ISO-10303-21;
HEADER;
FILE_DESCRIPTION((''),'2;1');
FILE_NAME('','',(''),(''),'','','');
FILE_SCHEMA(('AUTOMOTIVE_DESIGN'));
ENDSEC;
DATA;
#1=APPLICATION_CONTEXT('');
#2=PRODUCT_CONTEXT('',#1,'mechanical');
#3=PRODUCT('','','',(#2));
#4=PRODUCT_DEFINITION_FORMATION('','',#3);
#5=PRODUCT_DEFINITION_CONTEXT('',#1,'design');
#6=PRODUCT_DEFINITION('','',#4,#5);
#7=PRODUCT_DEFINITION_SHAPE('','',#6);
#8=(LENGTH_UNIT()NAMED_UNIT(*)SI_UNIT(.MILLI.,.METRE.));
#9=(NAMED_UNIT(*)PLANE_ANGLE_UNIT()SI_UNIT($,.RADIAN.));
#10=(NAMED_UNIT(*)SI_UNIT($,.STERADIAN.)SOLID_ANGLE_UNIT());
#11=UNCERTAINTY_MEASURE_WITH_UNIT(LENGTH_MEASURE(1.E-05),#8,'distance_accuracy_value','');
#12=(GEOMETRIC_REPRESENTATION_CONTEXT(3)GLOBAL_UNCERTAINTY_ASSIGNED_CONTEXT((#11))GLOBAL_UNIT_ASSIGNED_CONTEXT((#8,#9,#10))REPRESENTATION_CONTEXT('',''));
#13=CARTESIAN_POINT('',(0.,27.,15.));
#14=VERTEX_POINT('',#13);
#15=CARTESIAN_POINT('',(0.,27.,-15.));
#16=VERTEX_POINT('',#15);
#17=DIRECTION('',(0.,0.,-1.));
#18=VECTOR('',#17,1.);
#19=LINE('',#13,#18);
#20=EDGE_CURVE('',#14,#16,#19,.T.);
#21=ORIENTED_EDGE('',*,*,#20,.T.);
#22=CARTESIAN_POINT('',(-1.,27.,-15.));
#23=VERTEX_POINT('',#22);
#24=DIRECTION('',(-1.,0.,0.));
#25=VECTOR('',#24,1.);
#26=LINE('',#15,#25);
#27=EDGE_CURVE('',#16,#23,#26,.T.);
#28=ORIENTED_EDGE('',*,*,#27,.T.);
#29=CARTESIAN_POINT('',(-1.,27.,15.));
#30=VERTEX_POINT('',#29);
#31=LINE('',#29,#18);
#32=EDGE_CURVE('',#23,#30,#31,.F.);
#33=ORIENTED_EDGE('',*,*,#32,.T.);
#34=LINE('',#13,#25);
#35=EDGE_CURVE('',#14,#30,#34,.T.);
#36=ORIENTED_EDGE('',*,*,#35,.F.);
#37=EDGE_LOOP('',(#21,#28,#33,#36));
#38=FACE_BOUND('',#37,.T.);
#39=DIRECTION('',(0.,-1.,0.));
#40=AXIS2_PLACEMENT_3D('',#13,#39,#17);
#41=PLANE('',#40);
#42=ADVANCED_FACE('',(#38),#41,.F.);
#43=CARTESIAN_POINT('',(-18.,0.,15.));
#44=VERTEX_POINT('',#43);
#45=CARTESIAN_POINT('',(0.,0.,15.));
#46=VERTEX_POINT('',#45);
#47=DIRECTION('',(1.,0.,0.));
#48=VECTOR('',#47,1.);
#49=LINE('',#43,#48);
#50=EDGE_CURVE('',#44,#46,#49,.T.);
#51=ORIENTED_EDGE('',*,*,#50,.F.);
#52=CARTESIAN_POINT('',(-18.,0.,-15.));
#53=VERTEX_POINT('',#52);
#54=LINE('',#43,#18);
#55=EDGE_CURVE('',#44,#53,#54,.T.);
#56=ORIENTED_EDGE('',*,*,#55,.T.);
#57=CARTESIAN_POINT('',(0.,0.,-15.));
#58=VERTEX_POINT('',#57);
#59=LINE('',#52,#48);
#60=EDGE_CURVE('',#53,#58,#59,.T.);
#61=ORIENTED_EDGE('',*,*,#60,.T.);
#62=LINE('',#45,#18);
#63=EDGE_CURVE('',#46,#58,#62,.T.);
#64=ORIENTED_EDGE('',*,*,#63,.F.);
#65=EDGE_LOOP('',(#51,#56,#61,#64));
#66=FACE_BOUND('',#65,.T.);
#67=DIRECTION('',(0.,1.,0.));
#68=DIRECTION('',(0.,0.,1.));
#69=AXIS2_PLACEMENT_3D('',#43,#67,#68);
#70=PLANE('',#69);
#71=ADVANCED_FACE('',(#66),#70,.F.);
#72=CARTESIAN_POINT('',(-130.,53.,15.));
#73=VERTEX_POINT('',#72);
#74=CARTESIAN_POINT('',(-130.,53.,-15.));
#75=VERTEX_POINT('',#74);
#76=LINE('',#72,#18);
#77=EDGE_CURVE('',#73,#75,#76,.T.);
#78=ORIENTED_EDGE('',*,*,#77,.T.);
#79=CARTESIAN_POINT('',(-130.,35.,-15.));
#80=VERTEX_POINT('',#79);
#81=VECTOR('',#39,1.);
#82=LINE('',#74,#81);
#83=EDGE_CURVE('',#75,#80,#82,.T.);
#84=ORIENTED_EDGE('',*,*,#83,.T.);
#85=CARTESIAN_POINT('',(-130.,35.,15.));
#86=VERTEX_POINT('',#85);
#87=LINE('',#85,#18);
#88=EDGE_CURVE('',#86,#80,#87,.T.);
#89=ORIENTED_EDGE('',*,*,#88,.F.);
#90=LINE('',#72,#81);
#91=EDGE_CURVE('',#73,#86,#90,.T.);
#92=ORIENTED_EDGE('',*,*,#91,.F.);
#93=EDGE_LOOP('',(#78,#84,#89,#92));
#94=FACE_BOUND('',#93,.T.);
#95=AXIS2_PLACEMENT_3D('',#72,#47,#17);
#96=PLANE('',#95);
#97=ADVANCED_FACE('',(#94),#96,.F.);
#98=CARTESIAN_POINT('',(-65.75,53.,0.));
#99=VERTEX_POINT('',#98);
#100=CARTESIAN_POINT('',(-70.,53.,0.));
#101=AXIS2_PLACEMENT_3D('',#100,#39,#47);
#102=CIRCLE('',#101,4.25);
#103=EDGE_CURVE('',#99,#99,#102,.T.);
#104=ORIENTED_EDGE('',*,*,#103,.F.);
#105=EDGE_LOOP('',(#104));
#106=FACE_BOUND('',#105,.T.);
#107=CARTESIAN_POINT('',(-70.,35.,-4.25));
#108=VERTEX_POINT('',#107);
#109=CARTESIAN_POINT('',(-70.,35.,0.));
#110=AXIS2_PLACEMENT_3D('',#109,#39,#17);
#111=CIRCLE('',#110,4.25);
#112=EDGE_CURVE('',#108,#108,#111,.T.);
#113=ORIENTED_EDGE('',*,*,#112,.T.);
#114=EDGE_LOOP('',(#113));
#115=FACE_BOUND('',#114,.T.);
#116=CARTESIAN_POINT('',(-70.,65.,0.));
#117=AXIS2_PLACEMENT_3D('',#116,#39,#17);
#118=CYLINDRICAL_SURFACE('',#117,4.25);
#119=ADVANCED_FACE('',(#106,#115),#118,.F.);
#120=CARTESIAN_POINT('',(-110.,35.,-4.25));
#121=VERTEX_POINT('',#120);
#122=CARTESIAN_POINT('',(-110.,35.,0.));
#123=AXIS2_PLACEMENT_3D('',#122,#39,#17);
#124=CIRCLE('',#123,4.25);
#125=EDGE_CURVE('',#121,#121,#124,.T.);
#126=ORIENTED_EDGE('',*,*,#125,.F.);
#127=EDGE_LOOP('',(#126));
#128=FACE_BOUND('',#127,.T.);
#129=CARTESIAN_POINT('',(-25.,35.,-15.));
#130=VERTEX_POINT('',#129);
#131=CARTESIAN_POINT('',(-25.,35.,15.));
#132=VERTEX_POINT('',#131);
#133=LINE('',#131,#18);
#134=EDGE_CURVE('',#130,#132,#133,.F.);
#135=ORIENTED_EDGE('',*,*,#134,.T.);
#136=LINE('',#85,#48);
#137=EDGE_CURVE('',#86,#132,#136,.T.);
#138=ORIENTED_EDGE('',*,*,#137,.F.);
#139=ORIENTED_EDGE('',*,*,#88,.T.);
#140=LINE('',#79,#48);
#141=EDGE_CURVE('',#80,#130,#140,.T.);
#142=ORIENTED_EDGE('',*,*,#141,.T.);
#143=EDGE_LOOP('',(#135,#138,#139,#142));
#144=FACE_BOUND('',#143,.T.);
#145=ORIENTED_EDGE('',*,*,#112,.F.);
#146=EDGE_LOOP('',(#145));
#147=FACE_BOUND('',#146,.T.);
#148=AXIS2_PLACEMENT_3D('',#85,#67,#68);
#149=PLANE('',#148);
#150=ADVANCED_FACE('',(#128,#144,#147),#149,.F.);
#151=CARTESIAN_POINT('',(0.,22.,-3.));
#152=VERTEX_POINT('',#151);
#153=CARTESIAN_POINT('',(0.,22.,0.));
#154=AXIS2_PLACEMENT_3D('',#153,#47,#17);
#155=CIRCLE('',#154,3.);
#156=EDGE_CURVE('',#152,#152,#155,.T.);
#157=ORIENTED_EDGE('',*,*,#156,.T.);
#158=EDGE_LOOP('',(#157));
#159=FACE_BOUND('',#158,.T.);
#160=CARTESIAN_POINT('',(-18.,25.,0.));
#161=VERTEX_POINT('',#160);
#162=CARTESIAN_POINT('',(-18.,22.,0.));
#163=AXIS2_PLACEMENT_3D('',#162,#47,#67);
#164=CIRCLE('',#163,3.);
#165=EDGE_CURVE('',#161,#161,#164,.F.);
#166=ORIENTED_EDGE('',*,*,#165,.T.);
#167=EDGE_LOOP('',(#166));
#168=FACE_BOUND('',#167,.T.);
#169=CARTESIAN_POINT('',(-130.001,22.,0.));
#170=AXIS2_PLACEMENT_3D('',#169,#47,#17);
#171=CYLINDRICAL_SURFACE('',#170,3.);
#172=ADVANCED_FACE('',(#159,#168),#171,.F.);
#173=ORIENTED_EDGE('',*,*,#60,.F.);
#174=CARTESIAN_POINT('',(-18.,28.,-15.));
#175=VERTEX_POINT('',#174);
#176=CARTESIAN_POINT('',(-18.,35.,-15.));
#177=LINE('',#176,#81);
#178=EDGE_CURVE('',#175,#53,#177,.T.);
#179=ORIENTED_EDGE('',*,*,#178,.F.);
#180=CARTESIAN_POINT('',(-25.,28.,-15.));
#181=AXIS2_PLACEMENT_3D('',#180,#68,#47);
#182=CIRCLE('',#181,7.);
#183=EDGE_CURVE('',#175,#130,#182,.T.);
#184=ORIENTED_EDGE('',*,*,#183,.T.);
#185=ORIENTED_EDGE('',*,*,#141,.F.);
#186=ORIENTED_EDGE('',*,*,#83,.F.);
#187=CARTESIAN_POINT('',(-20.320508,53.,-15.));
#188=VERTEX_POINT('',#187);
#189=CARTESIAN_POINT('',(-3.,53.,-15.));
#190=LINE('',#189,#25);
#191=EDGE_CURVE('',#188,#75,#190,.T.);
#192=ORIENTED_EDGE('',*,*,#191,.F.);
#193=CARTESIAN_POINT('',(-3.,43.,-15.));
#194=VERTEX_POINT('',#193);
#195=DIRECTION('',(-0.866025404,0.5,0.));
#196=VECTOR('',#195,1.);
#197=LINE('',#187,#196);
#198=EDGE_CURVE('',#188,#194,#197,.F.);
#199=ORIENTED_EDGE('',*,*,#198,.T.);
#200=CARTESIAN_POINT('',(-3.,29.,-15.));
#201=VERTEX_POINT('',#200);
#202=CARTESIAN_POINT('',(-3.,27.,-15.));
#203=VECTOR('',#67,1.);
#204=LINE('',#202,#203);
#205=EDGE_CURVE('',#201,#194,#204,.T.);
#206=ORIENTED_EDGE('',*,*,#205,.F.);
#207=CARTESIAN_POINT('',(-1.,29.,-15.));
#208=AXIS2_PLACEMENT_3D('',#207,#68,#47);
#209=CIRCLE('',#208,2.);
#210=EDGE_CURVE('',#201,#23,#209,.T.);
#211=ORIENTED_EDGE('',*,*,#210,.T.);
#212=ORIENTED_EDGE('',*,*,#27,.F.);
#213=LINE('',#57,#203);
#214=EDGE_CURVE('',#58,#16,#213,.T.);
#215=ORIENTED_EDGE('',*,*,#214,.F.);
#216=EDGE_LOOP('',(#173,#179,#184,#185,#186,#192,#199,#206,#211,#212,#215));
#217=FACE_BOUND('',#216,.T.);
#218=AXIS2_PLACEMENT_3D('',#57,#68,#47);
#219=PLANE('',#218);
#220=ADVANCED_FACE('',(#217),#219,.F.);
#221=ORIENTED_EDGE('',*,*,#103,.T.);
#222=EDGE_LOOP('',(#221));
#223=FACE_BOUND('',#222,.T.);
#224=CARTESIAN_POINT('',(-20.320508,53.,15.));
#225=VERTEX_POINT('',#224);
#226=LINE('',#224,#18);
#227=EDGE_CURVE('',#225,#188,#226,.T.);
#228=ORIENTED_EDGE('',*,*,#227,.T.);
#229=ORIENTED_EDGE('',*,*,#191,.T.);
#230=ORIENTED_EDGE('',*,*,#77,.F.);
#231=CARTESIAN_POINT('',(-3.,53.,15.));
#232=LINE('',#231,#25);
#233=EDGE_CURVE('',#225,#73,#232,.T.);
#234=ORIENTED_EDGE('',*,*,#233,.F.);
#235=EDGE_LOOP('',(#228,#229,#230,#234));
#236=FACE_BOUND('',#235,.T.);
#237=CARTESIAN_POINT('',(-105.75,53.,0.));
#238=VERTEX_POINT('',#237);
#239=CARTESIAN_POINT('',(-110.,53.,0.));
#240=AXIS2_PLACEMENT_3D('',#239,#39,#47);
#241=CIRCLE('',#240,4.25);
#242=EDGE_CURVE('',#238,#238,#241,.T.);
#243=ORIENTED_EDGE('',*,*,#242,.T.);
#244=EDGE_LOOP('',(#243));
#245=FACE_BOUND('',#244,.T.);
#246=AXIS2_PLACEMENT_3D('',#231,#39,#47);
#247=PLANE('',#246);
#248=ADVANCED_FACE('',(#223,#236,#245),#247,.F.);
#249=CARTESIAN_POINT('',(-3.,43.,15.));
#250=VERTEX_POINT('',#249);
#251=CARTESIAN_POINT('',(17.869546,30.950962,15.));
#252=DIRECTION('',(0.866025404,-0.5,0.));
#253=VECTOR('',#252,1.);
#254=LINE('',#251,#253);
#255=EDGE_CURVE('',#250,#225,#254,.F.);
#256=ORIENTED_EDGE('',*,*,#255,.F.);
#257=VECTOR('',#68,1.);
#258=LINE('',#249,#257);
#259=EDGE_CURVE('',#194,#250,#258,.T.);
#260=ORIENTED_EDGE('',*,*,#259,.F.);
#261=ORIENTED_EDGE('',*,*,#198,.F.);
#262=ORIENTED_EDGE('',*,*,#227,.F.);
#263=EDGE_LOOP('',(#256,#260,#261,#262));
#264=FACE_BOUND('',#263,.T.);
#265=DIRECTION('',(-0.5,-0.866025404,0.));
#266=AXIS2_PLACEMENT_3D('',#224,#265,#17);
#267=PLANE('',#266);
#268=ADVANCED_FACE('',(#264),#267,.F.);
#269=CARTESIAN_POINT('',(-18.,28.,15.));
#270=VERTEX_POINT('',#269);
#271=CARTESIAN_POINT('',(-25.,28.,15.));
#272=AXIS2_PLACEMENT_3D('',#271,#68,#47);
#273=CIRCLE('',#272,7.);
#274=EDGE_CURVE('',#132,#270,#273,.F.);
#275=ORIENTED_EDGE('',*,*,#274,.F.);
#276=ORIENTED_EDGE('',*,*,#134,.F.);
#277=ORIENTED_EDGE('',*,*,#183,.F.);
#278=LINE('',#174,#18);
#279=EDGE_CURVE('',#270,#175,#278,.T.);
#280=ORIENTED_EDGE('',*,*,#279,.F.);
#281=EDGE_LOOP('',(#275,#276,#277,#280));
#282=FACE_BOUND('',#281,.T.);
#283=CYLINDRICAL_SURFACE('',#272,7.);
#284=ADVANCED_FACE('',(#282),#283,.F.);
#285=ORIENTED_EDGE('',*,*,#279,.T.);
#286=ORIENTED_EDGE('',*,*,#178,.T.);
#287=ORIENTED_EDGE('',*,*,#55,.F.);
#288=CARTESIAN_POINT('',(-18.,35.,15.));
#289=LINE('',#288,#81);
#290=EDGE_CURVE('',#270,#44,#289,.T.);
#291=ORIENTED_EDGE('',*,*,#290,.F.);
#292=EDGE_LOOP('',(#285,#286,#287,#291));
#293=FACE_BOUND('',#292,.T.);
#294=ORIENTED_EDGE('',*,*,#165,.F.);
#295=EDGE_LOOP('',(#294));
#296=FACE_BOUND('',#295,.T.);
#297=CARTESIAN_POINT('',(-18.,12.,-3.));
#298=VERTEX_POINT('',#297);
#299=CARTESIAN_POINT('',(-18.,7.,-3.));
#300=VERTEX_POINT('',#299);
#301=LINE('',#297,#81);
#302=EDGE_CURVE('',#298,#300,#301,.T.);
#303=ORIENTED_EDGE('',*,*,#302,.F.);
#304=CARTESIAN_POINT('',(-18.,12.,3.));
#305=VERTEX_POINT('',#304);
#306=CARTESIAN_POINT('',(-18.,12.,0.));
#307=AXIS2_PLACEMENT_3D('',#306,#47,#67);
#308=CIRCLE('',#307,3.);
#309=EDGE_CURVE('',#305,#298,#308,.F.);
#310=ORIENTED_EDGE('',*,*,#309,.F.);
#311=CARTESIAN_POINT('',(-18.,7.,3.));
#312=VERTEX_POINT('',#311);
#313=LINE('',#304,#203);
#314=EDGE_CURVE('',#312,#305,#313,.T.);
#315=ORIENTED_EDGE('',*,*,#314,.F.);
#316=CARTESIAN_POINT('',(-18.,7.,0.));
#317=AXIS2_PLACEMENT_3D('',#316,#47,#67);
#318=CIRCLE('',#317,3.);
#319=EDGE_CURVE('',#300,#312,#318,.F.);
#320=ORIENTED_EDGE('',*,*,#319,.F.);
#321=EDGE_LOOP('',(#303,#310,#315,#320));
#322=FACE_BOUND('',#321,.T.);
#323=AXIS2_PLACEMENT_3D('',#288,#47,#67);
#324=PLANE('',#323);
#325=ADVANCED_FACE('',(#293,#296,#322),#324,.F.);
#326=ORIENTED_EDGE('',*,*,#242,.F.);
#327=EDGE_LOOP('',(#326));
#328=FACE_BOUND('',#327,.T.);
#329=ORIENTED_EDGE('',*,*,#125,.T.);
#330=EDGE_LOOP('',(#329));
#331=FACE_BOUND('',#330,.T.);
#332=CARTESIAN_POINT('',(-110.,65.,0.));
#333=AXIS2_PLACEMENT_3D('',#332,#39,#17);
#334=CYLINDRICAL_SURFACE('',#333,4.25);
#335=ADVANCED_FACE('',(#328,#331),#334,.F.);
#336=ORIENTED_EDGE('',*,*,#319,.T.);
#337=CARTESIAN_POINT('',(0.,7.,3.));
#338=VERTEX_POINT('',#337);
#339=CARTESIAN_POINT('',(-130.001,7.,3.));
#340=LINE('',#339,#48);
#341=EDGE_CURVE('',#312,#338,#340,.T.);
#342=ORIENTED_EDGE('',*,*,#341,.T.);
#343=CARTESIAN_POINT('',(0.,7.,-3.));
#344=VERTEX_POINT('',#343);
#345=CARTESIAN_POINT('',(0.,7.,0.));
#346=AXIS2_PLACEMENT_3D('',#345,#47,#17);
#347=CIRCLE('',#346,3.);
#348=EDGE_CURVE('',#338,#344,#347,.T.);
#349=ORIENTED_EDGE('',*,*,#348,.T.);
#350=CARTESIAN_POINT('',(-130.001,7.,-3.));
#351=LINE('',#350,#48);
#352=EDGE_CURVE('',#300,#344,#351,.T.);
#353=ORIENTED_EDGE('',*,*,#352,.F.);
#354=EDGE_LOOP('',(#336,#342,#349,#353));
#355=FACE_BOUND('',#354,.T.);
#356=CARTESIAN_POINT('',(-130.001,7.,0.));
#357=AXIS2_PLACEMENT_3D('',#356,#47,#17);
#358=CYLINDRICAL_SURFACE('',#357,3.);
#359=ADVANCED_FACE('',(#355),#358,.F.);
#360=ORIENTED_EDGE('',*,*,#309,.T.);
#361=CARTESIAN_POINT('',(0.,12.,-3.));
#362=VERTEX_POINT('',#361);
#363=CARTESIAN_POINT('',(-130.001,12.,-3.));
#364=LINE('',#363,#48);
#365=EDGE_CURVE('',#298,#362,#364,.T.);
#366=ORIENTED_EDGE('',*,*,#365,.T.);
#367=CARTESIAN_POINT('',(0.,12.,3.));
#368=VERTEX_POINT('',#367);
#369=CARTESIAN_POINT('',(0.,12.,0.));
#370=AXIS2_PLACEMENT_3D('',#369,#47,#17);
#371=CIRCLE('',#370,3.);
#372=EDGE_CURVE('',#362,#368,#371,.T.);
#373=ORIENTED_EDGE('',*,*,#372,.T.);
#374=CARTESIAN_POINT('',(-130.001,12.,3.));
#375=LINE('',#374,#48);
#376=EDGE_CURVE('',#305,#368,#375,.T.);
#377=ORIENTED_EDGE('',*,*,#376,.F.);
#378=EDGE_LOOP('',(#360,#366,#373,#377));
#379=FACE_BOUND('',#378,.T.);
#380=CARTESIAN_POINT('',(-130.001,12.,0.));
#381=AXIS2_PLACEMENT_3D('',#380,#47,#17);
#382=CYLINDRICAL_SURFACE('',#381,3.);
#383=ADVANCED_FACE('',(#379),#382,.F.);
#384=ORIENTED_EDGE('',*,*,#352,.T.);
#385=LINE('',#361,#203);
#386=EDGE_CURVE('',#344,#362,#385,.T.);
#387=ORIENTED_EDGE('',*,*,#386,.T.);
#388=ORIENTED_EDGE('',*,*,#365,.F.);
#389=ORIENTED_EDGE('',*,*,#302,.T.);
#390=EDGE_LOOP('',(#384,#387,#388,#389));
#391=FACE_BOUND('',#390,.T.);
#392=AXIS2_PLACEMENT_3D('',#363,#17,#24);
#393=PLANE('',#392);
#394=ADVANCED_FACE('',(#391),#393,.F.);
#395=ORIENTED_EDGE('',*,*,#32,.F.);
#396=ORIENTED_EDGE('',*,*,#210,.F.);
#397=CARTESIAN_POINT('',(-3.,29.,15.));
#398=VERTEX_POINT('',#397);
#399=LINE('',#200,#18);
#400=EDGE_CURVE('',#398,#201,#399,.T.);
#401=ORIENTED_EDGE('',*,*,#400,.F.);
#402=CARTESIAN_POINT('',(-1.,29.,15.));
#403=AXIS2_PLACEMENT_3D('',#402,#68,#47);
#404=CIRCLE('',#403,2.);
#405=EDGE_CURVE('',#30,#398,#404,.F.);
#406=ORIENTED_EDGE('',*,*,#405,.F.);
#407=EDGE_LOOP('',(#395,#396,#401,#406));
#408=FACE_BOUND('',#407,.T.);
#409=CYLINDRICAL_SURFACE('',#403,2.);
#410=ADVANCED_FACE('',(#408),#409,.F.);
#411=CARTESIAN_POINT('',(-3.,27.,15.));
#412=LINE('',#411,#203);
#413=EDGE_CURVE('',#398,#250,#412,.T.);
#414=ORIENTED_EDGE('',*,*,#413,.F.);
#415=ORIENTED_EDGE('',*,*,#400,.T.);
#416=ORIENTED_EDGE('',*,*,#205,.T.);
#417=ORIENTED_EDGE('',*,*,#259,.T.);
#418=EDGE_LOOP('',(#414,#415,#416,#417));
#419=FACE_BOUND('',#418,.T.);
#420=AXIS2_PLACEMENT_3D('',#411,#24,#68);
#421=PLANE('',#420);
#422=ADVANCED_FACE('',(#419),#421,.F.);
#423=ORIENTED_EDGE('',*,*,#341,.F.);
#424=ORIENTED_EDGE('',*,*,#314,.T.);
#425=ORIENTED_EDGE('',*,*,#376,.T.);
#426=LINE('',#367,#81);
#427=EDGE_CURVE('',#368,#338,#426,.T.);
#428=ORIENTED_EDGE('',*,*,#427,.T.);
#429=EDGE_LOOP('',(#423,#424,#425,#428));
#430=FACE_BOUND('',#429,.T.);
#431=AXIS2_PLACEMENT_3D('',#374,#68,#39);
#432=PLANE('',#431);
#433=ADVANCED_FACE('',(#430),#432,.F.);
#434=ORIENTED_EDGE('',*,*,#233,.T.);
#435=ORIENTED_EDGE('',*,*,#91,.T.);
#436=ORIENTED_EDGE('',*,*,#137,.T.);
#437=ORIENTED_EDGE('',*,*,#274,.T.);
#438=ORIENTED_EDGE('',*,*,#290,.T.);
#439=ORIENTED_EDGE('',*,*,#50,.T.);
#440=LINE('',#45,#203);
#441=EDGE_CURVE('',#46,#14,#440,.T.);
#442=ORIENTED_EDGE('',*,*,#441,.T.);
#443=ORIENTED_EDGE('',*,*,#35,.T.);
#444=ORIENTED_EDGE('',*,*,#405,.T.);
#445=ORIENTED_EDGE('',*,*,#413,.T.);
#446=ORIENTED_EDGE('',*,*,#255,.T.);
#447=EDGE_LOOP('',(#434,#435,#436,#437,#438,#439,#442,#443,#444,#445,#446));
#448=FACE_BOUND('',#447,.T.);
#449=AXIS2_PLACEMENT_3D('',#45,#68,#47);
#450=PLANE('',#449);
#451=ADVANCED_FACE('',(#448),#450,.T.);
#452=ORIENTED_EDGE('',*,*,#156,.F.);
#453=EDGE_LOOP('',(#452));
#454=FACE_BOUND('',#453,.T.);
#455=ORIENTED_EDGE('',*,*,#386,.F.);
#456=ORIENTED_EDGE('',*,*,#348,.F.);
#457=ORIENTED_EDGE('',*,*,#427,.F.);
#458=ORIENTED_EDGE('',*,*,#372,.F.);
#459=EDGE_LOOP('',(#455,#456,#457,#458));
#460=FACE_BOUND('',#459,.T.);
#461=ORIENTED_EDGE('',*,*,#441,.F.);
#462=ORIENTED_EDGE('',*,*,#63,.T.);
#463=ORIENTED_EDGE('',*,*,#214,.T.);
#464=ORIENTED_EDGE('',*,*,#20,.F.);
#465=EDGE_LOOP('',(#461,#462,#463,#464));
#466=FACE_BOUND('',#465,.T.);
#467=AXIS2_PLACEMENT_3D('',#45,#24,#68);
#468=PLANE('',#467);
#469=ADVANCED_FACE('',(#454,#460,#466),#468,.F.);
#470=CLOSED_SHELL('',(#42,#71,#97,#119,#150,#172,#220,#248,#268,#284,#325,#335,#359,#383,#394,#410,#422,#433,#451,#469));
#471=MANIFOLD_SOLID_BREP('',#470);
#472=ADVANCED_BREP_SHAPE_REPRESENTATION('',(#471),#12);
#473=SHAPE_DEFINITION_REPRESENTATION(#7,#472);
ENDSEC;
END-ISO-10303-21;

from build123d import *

# Parameters (mm, degrees)
BOSS_EXTRUDE1_DEPTH = 15
CUT_EXTRUDE1_REACH  = 143.188
SKETCH2_R           = 3
SKETCH3_R           = 4.25
CUT_EXTRUDE2_DEPTH  = 30
FILLET3_R           = 7
CHAMFER1_SIZE       = 10
CHAMFER1_SIZE2      = 17.320508076
FILLET4_R           = 2


with BuildPart() as part:
    # Sketch1 → Boss-Extrude1 (new, symmetric)
    with BuildSketch(Plane.XY):
        Polygon((0, 0), (0, 27), (-3, 27), (-3, 53), (-130, 53), (-130, 35), (-18, 35), (-18, 0), align=None)
    extrude(amount=BOSS_EXTRUDE1_DEPTH, both=True)

    # Sketch2 → Cut-Extrude1 (cut, up to next)
    with BuildSketch(Plane(origin=(0, 0, 0), x_dir=(0, 0, -1), z_dir=(1, 0, 0)), mode=Mode.PRIVATE) as cut_extrude1_sk1:
        with Locations((0, 22)):
            Circle(SKETCH2_R)
    cut_extrude1_tool1 = extrude(cut_extrude1_sk1.sketch, amount=-CUT_EXTRUDE1_REACH, mode=Mode.PRIVATE) & part.part
    # Sketch2 → Cut-Extrude1 (cut, up to next)
    with BuildSketch(Plane(origin=(0, 0, 0), x_dir=(0, 0, -1), z_dir=(1, 0, 0)), mode=Mode.PRIVATE) as cut_extrude1_sk2:
        with BuildLine():
            Line((3, 12), (3, 7))
            ThreePointArc((3, 7), (0, 4), (-3, 7))
            Line((-3, 7), (-3, 12))
            ThreePointArc((-3, 12), (0, 15), (3, 12))
        make_face()
    cut_extrude1_tool2 = extrude(cut_extrude1_sk2.sketch, amount=-CUT_EXTRUDE1_REACH, mode=Mode.PRIVATE) & part.part
    add(cut_extrude1_tool1.solids().sort_by_distance((0, 22, 0))[0], mode=Mode.SUBTRACT)
    add(cut_extrude1_tool2.solids().sort_by_distance((0, 9.5, 0))[0], mode=Mode.SUBTRACT)

    # Sketch3 → Cut-Extrude2 (cut)
    with BuildSketch(Plane.XZ.offset(-35)):
        with Locations(Location((-110, 0, 0), (0, 0, 270))):
            Circle(SKETCH3_R)
        with Locations(Location((-70, 0, 0), (0, 0, 270))):
            Circle(SKETCH3_R)
    extrude(amount=-CUT_EXTRUDE2_DEPTH, mode=Mode.SUBTRACT)

    # Fillet3
    fillet3_edges = [part.edges().sort_by_distance(p)[0] for p in [
        (-18, 35, 0),
    ]]
    fillet(fillet3_edges, radius=FILLET3_R)

    # Chamfer1
    chamfer1_edges = [part.edges().sort_by_distance(p)[0] for p in [
        (-3, 53, 0),
    ]]
    chamfer1_side = [part.faces().sort_by_distance(p)[0] for p in [
        (-3, 40, 0),
    ]]
    chamfer(chamfer1_edges, length=CHAMFER1_SIZE, length2=CHAMFER1_SIZE2, reference=chamfer1_side[0])

    # Fillet4
    fillet4_edges = [part.edges().sort_by_distance(p)[0] for p in [
        (-3, 27, 0),
    ]]
    fillet(fillet4_edges, radius=FILLET4_R)


solid = part.part
